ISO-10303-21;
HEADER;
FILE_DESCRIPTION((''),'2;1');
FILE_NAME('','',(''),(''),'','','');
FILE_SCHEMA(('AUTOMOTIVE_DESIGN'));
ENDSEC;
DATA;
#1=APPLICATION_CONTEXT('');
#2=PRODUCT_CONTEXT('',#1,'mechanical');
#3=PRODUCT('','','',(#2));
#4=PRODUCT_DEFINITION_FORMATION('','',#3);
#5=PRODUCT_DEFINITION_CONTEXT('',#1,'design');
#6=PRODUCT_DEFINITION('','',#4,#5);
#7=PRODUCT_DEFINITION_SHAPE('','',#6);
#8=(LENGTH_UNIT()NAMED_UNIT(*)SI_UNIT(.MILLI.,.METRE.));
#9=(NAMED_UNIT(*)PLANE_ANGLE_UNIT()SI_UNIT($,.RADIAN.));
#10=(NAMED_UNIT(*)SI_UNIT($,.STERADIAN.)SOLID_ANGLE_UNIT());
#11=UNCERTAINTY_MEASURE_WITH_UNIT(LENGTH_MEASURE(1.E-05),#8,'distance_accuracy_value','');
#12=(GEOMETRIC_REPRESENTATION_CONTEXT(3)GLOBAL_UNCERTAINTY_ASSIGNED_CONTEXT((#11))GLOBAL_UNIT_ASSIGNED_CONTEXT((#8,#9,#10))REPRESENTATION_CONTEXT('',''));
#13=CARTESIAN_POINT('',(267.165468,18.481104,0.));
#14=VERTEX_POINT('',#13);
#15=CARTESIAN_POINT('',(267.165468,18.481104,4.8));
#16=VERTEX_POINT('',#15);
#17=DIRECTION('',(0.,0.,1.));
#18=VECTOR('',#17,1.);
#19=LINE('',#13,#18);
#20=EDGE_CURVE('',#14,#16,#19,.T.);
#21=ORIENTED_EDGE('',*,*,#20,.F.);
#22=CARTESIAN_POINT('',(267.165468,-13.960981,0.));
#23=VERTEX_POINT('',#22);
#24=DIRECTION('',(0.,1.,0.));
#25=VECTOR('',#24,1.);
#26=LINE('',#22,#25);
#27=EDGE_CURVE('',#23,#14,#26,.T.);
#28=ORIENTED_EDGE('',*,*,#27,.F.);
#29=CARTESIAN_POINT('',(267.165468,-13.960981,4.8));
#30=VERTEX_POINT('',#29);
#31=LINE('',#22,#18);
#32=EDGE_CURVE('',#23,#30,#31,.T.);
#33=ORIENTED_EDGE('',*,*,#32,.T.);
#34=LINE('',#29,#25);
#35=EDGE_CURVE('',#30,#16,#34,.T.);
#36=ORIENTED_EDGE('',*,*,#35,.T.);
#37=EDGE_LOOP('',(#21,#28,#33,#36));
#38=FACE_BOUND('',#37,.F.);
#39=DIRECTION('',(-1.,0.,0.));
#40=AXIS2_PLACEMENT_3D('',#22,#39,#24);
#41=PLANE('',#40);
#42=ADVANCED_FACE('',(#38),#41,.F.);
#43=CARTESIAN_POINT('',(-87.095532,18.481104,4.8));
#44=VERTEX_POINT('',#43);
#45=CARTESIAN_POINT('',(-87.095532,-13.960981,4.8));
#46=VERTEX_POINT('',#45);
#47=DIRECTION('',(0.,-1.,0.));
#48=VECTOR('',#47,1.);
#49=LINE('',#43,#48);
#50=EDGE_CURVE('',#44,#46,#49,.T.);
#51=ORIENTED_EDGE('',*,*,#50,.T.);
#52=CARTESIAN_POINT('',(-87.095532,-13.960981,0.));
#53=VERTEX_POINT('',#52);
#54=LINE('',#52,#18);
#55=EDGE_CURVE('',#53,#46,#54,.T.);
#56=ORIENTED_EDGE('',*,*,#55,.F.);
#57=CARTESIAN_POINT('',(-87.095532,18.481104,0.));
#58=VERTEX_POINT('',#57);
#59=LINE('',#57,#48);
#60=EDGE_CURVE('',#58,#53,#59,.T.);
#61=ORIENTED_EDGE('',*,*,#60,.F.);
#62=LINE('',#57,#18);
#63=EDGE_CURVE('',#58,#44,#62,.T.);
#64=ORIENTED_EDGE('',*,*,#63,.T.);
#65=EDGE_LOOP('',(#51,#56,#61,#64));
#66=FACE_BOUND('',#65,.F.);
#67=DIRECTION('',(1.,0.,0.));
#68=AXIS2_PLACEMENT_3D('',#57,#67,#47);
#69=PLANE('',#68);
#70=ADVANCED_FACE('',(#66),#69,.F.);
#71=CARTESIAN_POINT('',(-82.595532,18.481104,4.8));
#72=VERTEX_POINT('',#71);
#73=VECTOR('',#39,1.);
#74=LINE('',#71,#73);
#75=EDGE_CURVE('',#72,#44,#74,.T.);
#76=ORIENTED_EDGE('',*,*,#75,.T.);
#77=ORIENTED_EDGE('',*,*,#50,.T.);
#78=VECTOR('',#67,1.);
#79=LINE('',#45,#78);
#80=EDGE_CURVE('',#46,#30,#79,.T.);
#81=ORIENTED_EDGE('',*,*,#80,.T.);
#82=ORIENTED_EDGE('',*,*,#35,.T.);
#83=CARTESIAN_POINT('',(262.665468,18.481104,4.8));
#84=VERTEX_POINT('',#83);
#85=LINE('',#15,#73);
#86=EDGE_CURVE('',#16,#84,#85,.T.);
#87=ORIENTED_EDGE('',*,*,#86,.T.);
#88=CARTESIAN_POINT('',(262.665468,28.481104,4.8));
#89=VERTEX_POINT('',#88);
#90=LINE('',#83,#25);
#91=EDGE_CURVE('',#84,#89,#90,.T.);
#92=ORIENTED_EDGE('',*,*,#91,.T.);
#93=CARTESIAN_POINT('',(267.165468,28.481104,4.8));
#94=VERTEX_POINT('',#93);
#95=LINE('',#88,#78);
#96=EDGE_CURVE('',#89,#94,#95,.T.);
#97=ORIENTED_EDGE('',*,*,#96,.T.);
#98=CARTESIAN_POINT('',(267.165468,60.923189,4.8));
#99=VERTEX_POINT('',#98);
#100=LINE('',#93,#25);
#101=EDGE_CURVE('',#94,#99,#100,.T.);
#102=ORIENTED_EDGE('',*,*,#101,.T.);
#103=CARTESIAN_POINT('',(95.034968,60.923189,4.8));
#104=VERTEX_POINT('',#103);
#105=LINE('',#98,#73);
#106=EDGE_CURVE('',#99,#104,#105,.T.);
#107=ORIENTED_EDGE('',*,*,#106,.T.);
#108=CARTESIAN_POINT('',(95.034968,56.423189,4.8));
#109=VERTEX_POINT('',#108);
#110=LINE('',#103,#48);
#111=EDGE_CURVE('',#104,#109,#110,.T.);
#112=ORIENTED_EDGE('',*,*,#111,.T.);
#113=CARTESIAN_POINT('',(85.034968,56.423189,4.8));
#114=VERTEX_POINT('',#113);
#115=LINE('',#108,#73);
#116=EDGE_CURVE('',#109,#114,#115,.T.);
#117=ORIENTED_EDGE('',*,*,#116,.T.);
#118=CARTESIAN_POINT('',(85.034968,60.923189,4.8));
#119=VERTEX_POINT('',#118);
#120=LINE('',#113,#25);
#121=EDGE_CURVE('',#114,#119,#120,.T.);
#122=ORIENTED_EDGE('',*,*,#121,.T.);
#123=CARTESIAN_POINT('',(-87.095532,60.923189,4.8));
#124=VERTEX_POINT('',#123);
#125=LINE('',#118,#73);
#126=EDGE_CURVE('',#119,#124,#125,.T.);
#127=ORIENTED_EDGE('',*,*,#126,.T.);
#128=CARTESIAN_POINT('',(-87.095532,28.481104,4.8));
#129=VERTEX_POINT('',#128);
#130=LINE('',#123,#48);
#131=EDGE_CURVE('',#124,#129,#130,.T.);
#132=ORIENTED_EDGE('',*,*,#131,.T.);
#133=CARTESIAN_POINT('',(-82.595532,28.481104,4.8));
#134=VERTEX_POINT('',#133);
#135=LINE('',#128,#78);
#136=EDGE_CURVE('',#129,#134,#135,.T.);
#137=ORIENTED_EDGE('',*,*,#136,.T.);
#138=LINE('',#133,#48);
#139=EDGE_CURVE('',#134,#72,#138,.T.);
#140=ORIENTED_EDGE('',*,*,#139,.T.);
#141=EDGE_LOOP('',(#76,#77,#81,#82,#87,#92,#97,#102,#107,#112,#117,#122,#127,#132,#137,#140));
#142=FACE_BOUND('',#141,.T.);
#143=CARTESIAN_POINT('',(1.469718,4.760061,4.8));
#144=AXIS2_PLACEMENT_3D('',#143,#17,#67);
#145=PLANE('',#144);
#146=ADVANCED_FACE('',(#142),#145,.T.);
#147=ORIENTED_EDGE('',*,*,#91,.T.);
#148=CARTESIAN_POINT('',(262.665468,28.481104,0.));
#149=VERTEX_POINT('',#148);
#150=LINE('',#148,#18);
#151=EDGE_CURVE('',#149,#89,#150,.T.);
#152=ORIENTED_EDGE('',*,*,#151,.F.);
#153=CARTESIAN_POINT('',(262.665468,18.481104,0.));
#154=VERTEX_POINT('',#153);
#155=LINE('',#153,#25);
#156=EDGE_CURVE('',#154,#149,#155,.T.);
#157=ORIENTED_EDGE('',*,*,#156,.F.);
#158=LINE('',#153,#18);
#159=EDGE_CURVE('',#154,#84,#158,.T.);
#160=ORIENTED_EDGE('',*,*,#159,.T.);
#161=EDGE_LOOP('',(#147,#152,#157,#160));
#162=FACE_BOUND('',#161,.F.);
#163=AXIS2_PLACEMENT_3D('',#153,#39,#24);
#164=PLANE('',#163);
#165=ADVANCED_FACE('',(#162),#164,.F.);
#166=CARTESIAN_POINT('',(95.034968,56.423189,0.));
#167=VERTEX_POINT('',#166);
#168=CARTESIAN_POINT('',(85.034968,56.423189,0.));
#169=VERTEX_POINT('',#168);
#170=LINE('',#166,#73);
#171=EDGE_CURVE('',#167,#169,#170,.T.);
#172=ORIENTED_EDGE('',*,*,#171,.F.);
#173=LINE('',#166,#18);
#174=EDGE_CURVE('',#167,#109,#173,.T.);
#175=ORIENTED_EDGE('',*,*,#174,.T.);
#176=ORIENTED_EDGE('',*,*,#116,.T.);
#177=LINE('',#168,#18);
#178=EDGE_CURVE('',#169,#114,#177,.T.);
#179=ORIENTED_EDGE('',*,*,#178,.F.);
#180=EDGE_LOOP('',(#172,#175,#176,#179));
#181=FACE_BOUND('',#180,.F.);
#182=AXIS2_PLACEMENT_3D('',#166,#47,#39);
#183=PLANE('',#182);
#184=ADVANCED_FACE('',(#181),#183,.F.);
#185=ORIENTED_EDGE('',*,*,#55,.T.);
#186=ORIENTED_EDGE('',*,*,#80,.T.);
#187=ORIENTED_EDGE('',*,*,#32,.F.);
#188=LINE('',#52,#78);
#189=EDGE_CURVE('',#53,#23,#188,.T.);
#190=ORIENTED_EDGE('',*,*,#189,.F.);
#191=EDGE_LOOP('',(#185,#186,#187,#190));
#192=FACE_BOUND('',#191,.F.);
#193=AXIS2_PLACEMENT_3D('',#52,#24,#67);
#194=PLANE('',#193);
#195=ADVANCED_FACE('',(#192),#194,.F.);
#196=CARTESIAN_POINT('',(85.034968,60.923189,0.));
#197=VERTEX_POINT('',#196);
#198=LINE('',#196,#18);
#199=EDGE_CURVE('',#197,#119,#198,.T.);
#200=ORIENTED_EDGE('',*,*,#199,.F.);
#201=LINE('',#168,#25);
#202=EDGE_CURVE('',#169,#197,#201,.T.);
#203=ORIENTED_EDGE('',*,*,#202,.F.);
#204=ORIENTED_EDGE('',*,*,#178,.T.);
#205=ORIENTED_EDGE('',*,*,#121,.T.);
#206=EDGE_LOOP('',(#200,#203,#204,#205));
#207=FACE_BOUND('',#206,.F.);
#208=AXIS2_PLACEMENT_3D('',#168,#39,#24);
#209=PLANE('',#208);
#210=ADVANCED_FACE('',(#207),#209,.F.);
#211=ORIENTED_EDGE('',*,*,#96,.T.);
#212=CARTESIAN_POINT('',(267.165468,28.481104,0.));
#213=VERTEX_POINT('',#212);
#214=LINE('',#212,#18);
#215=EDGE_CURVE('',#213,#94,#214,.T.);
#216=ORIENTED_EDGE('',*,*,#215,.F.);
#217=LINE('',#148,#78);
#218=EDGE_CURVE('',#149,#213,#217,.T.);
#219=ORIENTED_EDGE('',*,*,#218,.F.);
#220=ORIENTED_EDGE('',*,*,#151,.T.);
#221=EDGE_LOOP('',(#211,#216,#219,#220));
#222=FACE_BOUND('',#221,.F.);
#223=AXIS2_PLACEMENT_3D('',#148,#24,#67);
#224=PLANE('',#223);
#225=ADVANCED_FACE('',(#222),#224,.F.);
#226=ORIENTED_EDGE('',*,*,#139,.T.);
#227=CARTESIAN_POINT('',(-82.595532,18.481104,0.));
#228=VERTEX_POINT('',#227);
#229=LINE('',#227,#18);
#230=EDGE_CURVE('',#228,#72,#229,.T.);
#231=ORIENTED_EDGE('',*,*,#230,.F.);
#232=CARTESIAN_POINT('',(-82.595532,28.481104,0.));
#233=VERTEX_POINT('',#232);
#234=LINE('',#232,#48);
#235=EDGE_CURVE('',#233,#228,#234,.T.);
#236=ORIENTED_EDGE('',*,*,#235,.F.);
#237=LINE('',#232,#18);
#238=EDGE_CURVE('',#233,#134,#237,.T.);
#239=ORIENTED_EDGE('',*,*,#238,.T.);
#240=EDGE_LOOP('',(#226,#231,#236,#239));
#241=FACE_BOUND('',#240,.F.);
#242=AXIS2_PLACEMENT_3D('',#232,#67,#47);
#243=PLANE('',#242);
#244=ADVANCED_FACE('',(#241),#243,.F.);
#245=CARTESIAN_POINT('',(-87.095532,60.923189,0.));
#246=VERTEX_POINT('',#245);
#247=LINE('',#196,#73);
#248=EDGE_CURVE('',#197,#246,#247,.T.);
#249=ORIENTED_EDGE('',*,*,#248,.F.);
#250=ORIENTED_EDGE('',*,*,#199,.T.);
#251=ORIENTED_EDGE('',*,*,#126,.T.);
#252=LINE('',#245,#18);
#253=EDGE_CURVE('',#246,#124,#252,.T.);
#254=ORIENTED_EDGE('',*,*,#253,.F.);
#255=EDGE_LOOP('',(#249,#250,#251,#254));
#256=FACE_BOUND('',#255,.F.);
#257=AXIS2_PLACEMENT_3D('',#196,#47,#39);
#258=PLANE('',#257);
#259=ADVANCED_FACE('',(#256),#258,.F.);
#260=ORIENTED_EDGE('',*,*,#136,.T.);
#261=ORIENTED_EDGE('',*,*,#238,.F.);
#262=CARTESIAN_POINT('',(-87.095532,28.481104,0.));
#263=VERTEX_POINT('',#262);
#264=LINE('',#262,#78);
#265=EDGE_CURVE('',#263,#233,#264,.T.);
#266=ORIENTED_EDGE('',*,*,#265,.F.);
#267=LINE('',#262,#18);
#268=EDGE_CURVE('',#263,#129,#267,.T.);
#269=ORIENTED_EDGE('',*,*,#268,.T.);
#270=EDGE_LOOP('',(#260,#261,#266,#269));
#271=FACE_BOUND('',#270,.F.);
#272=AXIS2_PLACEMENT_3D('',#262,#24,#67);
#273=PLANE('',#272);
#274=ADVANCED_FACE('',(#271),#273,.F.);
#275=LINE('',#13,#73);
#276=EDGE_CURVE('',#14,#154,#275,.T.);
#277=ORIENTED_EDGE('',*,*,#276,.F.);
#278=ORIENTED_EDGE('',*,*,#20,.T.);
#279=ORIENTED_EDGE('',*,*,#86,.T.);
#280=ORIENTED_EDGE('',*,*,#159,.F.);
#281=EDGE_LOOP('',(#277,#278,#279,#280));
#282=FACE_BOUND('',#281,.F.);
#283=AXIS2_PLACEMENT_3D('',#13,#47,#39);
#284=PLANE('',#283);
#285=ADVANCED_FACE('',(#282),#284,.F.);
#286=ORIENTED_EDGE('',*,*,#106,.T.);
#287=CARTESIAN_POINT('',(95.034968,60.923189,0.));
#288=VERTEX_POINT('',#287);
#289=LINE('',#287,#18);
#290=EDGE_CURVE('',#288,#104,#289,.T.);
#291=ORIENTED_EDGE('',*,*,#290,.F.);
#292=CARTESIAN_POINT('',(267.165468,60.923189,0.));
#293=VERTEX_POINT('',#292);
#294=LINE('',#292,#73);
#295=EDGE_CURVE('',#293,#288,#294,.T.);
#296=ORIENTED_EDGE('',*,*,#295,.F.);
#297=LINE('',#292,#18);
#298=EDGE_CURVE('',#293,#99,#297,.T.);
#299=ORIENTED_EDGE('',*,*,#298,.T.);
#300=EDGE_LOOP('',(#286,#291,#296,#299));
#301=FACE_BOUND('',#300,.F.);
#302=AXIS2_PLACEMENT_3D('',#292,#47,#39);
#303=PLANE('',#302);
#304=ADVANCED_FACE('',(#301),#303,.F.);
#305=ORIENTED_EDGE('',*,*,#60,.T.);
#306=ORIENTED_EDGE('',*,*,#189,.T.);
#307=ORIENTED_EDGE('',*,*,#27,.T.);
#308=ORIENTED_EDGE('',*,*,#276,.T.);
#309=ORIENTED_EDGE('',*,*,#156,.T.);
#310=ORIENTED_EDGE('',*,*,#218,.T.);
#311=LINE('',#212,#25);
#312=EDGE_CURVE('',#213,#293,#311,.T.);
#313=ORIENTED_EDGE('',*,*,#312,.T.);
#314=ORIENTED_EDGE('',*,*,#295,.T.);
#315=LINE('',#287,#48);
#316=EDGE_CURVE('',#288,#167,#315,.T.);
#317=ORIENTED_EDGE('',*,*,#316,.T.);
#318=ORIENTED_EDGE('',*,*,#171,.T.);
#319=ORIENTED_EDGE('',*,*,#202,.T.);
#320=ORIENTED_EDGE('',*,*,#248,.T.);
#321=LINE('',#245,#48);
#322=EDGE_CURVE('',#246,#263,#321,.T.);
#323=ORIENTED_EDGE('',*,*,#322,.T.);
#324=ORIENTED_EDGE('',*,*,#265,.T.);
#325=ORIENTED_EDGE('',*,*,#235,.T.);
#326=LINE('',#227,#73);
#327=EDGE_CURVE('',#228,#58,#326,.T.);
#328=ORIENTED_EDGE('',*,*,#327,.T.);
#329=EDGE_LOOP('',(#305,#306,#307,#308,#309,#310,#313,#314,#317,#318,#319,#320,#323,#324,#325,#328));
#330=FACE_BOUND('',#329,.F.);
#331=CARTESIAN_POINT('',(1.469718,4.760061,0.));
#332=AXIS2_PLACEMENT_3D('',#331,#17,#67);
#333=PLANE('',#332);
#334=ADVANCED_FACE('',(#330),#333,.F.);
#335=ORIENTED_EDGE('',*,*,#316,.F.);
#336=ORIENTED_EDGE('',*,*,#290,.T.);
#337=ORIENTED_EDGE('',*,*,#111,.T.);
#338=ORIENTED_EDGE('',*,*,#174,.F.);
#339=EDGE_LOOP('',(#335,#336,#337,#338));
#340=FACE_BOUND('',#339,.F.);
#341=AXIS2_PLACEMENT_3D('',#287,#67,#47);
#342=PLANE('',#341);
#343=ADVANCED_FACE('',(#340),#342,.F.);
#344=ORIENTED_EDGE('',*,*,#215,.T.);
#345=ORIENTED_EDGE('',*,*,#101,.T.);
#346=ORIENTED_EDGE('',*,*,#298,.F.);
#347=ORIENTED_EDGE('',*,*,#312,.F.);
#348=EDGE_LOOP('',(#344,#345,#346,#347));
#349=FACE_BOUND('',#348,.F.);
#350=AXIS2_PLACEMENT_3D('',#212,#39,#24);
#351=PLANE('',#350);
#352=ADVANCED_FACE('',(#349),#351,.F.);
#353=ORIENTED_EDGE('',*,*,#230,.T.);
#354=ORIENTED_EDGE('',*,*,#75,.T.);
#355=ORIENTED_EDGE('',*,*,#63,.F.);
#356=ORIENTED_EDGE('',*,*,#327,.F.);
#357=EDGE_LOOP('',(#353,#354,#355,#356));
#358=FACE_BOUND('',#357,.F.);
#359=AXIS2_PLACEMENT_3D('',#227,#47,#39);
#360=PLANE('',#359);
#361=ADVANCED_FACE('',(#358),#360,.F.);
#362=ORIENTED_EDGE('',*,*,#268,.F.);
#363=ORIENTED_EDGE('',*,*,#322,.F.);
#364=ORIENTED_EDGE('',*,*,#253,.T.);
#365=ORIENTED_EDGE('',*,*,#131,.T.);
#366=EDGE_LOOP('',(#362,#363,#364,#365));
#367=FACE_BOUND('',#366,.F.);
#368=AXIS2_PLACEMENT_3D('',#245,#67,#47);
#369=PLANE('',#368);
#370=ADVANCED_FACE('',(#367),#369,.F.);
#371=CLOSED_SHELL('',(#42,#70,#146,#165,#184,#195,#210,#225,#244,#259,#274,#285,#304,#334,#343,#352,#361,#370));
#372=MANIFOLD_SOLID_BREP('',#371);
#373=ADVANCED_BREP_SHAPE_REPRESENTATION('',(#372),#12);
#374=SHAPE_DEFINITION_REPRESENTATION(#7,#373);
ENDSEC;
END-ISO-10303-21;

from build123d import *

# Parameters (mm, degrees)
F1_DEPTH = 4.8


with BuildPart() as f1:
    # F0 (on Top) → F1 (new body)
    with BuildSketch(Plane.XY):
        Polygon((-82.595532, 18.481104), (-87.095532, 18.481104), (-87.095532, -13.960981), (85.034968, -13.960981), (85.034968, -9.460981), (90.034968, -9.460981), (90.034968, 23.481104), (-82.595532, 23.481104), align=None)
        Polygon((85.034968, 60.923189), (-87.095532, 60.923189), (-87.095532, 28.481104), (-82.595532, 28.481104), (-82.595532, 23.481104), (90.034968, 23.481104), (90.034968, 56.423189), (85.034968, 56.423189), align=None)
        Polygon((262.665468, 23.481104), (90.034968, 23.481104), (90.034968, -9.460981), (95.034968, -9.460981), (95.034968, -13.960981), (267.165468, -13.960981), (267.165468, 18.481104), (262.665468, 18.481104), align=None)
        Polygon((267.165468, 60.923189), (95.034968, 60.923189), (95.034968, 56.423189), (90.034968, 56.423189), (90.034968, 23.481104), (262.665468, 23.481104), (262.665468, 28.481104), (267.165468, 28.481104), align=None)
        Polygon((85.034968, -9.460981), (85.034968, -13.960981), (95.034968, -13.960981), (95.034968, -9.460981), (90.034968, -9.460981), align=None)
    extrude(amount=F1_DEPTH)


solid = f1.part
